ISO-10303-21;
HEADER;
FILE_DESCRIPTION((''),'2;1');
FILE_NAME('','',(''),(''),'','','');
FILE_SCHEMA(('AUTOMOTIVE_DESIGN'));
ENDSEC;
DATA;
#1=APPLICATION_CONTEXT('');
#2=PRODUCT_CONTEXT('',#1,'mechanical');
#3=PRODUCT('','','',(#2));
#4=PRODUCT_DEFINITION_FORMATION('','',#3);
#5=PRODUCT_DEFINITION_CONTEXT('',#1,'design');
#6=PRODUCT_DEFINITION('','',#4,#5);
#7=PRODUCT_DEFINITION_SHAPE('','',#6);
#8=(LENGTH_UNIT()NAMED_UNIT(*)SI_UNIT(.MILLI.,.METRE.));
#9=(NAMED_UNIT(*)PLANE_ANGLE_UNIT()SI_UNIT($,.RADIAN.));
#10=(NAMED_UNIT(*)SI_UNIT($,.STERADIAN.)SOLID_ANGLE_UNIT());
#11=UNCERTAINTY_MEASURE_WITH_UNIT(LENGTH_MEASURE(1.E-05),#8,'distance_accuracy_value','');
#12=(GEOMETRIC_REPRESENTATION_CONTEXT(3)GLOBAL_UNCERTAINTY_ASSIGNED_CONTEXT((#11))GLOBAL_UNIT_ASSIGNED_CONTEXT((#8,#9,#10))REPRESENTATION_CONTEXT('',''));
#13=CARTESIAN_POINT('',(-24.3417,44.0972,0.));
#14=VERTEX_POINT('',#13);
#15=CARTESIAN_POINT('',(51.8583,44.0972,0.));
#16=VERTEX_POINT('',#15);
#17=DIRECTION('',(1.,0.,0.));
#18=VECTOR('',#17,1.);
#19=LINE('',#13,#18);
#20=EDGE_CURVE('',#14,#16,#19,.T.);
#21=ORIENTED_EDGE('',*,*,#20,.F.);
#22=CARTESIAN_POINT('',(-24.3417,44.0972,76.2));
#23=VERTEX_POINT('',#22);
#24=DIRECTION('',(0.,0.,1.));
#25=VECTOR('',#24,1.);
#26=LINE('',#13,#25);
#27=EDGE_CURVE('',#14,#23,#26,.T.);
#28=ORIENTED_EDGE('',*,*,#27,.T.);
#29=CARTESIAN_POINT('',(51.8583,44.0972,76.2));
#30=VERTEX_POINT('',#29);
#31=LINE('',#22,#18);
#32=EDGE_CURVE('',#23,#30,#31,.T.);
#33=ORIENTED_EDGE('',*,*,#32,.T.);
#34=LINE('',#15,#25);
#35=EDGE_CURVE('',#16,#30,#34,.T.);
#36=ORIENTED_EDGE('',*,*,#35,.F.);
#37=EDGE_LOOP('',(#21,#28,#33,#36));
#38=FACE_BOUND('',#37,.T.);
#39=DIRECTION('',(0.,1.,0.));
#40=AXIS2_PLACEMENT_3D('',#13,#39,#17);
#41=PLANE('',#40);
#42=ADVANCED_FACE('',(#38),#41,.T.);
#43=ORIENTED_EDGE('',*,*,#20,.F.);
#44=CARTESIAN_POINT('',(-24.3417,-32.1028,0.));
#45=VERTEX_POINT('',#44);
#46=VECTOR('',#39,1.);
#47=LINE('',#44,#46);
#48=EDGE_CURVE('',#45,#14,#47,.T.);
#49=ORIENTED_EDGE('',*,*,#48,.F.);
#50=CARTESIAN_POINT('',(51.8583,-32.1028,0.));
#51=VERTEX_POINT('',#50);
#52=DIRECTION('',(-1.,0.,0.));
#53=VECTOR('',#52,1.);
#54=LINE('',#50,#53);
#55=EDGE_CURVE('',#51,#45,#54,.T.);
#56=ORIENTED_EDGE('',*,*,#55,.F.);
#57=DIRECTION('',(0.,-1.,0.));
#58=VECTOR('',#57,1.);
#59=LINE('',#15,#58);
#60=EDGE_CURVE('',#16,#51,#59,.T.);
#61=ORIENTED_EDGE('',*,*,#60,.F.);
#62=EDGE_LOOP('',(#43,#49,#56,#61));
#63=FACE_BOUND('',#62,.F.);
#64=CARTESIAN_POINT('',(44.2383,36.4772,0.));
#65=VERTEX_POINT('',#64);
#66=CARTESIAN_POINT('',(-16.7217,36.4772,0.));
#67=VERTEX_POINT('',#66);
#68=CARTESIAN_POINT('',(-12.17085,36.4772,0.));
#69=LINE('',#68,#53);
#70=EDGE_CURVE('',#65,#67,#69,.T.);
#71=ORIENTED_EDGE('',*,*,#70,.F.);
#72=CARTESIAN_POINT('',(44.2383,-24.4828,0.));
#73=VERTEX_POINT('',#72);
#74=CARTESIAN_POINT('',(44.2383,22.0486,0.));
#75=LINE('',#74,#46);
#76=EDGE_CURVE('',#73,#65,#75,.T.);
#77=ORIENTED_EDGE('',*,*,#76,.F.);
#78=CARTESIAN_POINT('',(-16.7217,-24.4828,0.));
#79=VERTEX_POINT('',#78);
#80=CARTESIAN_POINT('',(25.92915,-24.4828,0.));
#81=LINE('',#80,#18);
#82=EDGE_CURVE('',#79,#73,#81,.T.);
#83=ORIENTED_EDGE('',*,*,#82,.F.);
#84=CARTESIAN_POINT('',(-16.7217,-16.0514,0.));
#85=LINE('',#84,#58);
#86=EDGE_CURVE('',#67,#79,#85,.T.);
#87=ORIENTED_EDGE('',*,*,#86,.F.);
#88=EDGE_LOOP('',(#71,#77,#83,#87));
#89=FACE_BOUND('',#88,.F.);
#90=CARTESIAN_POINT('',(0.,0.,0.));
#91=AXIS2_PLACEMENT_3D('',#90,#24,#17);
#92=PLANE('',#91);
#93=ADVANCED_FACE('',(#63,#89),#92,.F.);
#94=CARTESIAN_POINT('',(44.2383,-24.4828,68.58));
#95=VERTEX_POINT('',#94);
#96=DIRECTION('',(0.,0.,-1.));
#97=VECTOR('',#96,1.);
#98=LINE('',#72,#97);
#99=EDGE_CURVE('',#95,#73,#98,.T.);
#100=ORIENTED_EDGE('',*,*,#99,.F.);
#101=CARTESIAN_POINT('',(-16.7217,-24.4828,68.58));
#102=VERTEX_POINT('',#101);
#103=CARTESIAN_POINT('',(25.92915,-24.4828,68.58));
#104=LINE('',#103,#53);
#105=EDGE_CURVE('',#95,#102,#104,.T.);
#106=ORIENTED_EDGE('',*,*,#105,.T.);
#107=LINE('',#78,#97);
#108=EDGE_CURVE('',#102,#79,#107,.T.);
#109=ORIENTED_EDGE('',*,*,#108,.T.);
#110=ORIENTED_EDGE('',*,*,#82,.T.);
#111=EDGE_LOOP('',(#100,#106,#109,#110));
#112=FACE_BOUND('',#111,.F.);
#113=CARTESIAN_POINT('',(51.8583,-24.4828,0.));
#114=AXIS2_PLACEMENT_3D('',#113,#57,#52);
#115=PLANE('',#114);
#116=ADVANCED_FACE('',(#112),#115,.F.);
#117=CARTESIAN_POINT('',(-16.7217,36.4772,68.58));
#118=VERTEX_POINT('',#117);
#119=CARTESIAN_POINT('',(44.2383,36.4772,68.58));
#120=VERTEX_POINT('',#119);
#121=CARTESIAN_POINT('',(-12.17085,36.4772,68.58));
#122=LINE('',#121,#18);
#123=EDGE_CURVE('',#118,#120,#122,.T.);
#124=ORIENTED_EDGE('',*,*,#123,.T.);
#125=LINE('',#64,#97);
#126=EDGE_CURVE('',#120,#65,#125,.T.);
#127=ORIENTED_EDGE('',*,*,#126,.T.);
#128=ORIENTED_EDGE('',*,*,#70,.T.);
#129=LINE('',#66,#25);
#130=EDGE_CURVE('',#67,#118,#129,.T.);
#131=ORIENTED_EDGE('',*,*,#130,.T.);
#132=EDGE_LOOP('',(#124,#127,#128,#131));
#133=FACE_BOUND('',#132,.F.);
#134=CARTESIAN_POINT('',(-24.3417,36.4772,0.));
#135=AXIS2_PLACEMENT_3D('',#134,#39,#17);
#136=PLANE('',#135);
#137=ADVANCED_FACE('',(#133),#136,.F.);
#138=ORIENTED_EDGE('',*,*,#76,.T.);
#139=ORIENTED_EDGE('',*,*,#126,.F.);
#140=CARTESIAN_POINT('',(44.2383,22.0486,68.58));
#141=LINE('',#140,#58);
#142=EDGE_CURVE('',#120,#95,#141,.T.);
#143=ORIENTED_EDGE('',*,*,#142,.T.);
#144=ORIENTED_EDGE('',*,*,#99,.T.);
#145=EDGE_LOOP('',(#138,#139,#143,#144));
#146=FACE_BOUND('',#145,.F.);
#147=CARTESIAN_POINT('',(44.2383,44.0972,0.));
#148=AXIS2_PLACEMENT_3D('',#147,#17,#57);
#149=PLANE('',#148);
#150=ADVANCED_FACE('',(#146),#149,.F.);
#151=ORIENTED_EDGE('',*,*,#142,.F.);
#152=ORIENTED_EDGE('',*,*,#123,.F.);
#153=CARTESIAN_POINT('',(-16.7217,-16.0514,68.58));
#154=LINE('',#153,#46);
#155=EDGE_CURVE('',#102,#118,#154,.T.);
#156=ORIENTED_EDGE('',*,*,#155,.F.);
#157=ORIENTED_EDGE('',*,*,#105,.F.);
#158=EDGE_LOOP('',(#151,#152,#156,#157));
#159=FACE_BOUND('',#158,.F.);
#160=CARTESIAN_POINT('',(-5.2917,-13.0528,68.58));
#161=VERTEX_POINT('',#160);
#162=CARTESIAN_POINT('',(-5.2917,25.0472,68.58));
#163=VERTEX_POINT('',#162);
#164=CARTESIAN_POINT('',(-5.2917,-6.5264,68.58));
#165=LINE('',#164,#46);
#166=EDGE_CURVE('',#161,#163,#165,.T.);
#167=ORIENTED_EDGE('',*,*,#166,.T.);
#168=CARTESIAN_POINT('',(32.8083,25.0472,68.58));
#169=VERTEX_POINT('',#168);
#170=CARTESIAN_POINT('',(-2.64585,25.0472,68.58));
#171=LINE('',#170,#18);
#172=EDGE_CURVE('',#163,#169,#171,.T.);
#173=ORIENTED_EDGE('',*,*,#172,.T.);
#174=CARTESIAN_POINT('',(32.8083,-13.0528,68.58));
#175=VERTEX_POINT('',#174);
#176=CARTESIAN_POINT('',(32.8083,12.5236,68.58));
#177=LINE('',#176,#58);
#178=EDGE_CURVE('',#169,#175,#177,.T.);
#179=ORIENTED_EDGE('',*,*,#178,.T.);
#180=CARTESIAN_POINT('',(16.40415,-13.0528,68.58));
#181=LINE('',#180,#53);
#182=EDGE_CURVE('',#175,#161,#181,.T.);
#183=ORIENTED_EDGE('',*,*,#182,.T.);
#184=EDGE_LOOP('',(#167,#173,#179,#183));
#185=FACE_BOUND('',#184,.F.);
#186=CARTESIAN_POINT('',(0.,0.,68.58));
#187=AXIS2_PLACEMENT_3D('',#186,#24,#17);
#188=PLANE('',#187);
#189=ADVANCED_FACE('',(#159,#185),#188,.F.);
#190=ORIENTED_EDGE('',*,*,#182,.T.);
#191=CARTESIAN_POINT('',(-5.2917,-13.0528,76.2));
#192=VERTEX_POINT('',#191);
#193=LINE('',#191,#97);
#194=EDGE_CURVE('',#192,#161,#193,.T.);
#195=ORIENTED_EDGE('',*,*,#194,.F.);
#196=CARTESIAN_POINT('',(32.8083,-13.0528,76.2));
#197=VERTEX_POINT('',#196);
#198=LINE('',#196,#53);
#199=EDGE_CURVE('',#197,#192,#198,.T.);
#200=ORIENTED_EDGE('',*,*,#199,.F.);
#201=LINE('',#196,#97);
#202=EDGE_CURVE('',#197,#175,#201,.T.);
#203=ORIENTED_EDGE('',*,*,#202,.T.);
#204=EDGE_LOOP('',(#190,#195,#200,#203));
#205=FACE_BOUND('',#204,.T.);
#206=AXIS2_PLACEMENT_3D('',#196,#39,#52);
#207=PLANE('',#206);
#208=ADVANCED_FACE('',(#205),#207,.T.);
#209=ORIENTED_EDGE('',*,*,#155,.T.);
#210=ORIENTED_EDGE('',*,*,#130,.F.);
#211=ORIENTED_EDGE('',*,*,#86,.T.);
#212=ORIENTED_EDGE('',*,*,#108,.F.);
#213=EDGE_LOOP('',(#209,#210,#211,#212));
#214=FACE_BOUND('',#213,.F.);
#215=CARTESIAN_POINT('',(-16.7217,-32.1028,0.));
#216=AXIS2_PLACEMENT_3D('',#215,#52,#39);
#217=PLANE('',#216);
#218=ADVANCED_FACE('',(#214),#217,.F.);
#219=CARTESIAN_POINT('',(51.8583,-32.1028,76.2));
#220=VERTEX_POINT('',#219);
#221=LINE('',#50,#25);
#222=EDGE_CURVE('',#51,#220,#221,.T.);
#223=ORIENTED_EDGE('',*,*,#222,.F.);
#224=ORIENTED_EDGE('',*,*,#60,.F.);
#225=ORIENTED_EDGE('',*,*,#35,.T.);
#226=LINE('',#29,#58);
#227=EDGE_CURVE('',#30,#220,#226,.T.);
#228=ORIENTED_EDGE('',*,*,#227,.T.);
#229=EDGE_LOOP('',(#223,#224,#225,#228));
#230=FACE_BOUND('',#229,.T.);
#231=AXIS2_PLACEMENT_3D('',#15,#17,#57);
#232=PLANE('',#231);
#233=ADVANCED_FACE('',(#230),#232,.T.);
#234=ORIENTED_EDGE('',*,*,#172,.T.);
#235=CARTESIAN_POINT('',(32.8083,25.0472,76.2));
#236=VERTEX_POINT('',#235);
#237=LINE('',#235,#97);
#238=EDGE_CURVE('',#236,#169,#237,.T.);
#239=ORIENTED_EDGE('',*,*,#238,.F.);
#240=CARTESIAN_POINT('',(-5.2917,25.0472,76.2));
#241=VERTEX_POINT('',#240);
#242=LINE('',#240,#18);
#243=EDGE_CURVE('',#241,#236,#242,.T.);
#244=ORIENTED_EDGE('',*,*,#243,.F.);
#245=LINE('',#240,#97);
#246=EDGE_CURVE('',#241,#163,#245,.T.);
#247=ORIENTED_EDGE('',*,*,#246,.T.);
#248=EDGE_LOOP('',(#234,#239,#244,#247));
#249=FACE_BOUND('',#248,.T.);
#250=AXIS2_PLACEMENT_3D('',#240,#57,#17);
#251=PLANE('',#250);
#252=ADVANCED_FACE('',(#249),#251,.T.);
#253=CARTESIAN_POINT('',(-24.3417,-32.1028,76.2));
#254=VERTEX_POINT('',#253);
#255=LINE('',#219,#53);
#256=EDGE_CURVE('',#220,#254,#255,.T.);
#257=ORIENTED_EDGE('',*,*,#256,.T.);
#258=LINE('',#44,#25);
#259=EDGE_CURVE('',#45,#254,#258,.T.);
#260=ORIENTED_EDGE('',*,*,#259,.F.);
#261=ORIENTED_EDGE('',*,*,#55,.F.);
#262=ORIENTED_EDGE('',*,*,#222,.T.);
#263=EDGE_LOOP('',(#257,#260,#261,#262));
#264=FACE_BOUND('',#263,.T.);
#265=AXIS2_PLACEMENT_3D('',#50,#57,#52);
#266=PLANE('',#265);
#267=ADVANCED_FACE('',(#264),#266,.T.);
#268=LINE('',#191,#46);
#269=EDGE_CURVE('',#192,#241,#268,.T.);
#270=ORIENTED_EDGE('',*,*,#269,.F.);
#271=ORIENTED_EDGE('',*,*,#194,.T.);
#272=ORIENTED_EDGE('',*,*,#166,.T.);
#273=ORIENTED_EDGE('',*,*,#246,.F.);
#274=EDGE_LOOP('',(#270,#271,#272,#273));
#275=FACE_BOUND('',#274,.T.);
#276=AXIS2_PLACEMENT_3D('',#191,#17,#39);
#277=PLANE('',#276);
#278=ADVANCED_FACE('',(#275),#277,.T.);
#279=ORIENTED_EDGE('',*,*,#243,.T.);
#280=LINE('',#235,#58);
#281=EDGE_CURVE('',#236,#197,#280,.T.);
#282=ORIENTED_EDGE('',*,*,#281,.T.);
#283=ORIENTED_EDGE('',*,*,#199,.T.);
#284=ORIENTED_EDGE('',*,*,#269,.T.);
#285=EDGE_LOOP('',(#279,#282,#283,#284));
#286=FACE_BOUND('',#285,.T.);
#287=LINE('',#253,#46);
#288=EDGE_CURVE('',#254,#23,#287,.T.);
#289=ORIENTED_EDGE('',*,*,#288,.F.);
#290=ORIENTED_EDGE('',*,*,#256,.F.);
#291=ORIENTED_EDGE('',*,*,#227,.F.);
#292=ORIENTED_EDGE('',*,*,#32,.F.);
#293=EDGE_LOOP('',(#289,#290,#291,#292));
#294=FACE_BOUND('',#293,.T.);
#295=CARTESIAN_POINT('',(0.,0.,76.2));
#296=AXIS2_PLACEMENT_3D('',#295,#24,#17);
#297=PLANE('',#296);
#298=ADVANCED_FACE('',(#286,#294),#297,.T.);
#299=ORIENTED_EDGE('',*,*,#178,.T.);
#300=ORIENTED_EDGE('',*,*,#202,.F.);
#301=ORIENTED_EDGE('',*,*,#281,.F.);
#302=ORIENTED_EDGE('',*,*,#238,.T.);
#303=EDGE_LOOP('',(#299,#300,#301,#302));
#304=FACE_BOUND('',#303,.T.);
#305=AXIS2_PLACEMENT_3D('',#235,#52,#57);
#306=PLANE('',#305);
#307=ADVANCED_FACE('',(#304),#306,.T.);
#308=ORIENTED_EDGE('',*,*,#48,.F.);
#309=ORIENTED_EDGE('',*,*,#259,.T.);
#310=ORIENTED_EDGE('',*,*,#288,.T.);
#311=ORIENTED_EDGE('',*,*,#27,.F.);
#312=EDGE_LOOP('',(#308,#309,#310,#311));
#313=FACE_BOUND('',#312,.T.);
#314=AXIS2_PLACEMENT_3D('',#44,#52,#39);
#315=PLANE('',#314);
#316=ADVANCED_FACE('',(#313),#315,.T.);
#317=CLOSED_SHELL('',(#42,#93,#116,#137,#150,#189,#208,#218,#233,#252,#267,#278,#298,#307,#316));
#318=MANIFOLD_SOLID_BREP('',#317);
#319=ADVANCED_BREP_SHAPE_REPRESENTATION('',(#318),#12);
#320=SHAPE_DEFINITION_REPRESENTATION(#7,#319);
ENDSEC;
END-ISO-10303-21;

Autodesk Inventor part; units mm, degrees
ref_plane "YZ Plane" through (0, 0, 0) normal (1, 0, 0) x (0, 1, 0)
ref_plane "XZ Plane" through (0, 0, 0) normal (0, 1, 0) x (-1, 0, 0)
ref_plane "XY Plane" through (0, 0, 0) normal (0, 0, 1) x (1, 0, 0)
sketch "Sketch1" plane through (0, 0, 0) normal (0, 0, 1) x (1, 0, 0)
  line L0 (-24.3417, 44.0972) -> (51.8583, 44.0972)
  line L1 (51.8583, 44.0972) -> (51.8583, -32.1028)
  line L2 (51.8583, -32.1028) -> (-24.3417, -32.1028)
  line L3 (-24.3417, -32.1028) -> (-24.3417, 44.0972)
  point P0 (0, 0)
  dimension "d0" = 76.2
  dimension "d1" = 76.2
extrude "Extrusion1" add sketch "Sketch1" along normal blind 76.2
shell "Shell1" thickness 7.62 removed faces 1 at (1.0583, 18.6972, 0)
sketch "Sketch2" plane through (0, 0, 76.2) normal (0, 0, 1) x (1, 0, 0)
  line L0 (-5.2917, 25.0472) -> (32.8083, 25.0472)
  line L1 (32.8083, 25.0472) -> (32.8083, -13.0528)
  line L2 (32.8083, -13.0528) -> (-5.2917, -13.0528)
  line L3 (-5.2917, -13.0528) -> (-5.2917, 25.0472)
  line L4 (51.8583, 44.0972) -> (-24.3417, 44.0972) projected
  line L5 (51.8583, -32.1028) -> (51.8583, 44.0972) projected
  point P0 (0, 0)
  dimension "d5" = 38.1
  dimension "d6" = 38.1
  dimension "d7" = 19.05
  dimension "d8" = 19.05
extrude "Extrusion2" cut sketch "Sketch2" against normal blind 25.4
properties part number "secondary_part"
